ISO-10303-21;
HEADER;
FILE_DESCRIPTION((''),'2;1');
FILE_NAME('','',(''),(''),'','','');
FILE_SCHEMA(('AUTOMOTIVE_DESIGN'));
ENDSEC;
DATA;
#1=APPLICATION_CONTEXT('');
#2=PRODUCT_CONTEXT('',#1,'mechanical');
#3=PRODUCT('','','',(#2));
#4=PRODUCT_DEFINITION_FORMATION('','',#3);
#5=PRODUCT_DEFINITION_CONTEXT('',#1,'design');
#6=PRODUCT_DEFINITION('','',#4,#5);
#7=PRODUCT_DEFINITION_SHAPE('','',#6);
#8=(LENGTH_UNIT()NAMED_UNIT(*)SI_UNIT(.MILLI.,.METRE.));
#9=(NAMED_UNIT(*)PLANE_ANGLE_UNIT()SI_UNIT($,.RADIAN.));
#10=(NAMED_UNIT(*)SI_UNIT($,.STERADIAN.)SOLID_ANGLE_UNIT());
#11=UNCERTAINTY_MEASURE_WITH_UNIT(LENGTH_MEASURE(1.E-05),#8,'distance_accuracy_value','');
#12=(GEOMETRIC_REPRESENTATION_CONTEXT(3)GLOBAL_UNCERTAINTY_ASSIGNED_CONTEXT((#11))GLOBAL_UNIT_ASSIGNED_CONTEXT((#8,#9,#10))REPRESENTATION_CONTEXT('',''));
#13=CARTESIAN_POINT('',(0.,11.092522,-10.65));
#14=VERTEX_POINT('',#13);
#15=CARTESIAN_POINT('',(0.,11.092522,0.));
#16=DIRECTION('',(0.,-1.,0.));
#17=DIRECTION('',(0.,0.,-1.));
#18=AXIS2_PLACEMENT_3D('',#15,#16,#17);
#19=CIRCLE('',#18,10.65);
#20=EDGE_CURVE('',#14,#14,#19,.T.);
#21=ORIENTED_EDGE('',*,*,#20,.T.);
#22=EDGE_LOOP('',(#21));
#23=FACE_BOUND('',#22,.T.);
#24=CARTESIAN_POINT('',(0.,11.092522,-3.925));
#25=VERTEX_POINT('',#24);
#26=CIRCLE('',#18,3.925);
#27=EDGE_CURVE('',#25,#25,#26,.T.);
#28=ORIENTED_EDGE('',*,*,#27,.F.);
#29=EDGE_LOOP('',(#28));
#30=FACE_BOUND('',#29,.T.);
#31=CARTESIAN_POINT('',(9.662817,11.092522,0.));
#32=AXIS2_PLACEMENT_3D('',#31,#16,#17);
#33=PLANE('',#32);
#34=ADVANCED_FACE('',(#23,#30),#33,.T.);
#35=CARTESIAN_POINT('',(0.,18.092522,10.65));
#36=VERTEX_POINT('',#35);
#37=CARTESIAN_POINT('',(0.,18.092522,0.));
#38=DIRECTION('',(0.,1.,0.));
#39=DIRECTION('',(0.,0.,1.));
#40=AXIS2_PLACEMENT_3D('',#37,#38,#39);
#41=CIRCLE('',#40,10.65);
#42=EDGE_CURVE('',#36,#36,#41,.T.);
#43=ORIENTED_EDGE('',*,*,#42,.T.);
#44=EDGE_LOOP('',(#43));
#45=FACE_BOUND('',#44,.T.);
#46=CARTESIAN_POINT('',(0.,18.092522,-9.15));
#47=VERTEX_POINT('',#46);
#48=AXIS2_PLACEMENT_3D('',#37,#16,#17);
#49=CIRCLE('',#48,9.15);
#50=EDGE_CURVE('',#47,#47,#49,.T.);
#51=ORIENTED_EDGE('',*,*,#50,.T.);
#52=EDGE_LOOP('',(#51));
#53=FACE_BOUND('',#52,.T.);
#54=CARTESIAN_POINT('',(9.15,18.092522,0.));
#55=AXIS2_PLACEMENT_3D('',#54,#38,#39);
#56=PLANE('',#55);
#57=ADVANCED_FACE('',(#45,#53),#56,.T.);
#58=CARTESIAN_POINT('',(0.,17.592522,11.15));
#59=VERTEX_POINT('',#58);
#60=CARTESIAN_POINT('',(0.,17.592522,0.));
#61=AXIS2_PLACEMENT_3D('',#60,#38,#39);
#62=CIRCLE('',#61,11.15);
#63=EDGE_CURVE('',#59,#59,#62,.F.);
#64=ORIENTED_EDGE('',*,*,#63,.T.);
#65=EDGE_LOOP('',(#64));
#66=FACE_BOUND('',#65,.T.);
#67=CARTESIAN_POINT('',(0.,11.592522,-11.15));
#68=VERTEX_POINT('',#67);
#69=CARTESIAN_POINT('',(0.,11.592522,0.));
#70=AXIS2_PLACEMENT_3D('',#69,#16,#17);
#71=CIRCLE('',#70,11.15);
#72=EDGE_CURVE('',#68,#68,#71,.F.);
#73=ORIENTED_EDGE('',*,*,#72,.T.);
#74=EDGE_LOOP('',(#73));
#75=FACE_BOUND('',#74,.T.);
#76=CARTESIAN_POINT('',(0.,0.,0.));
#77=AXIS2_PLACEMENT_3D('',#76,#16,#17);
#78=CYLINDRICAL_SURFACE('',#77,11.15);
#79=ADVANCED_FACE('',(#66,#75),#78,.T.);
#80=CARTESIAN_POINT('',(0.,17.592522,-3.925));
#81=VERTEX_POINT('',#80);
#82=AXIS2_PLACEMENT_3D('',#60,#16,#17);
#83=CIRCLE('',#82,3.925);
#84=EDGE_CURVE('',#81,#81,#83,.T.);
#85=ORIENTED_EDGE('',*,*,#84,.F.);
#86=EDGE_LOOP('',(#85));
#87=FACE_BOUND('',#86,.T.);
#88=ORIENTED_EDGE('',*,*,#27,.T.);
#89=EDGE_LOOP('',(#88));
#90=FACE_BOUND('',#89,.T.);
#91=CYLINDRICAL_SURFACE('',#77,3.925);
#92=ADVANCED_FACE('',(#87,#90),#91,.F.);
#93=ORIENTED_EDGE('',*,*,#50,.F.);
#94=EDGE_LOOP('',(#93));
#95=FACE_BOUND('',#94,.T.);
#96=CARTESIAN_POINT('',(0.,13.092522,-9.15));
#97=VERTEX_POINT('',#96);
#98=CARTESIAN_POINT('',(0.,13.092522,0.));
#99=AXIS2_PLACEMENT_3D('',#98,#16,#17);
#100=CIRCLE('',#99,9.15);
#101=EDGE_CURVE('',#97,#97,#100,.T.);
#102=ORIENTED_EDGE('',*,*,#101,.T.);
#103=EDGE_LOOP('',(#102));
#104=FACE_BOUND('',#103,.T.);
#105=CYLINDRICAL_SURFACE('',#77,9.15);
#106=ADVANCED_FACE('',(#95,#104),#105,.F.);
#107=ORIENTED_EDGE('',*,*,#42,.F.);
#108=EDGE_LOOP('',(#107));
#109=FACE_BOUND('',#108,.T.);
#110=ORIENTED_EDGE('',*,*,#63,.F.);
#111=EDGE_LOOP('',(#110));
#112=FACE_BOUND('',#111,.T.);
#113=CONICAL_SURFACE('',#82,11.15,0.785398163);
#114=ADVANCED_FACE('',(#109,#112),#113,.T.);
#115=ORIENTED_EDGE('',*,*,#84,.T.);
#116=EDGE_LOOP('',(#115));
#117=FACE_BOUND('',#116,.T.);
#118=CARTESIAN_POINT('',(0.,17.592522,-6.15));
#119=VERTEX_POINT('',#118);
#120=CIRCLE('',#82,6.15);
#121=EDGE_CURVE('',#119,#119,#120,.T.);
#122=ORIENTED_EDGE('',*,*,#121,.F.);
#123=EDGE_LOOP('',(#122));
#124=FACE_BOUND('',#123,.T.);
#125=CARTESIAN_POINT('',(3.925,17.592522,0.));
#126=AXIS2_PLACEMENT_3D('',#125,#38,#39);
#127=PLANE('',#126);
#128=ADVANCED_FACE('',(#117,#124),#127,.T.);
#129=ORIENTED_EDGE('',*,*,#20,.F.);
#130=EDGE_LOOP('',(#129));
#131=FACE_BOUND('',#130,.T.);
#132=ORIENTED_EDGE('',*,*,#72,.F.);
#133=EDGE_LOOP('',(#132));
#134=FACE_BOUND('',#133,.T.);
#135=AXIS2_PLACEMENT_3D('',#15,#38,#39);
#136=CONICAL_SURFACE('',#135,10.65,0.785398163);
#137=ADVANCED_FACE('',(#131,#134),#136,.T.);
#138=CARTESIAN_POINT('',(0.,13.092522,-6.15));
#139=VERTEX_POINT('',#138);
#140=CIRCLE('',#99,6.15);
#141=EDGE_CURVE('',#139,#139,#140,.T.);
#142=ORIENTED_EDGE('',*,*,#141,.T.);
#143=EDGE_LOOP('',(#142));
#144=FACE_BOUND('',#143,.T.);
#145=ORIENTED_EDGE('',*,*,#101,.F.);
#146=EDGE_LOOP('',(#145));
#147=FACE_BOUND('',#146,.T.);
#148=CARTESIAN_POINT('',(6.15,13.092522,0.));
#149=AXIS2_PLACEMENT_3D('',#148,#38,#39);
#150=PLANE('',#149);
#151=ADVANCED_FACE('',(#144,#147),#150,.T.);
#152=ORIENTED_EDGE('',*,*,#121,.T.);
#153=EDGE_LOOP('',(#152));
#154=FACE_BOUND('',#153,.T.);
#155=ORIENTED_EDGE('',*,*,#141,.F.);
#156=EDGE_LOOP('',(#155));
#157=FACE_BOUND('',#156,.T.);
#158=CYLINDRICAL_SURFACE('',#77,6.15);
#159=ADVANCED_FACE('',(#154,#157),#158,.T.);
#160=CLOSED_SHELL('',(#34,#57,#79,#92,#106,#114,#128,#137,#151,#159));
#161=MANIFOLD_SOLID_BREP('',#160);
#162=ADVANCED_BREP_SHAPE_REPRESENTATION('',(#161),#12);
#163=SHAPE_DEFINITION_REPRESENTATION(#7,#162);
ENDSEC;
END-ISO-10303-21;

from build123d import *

# Parameters (mm, degrees)
CHAMFER1_SIZE = 0.5


with BuildPart() as part:
    # Sketch1 → Revolve1 (revolve)
    with BuildSketch(Plane.XY):
        Polygon((3.925, 17.592522397), (6.15, 17.592522397), (6.15, 13.092522397), (9.15, 13.092522397), (9.15, 18.092522397), (11.15, 18.092522397), (11.15, 11.092522397), (9.662817283, 11.092522397), (3.925, 11.092522397), align=None)
    revolve(axis=Axis((0, 0, 0), (0, 1, 0)))

    # Chamfer1
    chamfer1_edges = [part.edges().sort_by_distance(p)[0] for p in [
        (-11.15, 18.092522397, 0),
        (-11.15, 11.092522397, 0),
    ]]
    chamfer(chamfer1_edges, length=CHAMFER1_SIZE)


solid = part.part
